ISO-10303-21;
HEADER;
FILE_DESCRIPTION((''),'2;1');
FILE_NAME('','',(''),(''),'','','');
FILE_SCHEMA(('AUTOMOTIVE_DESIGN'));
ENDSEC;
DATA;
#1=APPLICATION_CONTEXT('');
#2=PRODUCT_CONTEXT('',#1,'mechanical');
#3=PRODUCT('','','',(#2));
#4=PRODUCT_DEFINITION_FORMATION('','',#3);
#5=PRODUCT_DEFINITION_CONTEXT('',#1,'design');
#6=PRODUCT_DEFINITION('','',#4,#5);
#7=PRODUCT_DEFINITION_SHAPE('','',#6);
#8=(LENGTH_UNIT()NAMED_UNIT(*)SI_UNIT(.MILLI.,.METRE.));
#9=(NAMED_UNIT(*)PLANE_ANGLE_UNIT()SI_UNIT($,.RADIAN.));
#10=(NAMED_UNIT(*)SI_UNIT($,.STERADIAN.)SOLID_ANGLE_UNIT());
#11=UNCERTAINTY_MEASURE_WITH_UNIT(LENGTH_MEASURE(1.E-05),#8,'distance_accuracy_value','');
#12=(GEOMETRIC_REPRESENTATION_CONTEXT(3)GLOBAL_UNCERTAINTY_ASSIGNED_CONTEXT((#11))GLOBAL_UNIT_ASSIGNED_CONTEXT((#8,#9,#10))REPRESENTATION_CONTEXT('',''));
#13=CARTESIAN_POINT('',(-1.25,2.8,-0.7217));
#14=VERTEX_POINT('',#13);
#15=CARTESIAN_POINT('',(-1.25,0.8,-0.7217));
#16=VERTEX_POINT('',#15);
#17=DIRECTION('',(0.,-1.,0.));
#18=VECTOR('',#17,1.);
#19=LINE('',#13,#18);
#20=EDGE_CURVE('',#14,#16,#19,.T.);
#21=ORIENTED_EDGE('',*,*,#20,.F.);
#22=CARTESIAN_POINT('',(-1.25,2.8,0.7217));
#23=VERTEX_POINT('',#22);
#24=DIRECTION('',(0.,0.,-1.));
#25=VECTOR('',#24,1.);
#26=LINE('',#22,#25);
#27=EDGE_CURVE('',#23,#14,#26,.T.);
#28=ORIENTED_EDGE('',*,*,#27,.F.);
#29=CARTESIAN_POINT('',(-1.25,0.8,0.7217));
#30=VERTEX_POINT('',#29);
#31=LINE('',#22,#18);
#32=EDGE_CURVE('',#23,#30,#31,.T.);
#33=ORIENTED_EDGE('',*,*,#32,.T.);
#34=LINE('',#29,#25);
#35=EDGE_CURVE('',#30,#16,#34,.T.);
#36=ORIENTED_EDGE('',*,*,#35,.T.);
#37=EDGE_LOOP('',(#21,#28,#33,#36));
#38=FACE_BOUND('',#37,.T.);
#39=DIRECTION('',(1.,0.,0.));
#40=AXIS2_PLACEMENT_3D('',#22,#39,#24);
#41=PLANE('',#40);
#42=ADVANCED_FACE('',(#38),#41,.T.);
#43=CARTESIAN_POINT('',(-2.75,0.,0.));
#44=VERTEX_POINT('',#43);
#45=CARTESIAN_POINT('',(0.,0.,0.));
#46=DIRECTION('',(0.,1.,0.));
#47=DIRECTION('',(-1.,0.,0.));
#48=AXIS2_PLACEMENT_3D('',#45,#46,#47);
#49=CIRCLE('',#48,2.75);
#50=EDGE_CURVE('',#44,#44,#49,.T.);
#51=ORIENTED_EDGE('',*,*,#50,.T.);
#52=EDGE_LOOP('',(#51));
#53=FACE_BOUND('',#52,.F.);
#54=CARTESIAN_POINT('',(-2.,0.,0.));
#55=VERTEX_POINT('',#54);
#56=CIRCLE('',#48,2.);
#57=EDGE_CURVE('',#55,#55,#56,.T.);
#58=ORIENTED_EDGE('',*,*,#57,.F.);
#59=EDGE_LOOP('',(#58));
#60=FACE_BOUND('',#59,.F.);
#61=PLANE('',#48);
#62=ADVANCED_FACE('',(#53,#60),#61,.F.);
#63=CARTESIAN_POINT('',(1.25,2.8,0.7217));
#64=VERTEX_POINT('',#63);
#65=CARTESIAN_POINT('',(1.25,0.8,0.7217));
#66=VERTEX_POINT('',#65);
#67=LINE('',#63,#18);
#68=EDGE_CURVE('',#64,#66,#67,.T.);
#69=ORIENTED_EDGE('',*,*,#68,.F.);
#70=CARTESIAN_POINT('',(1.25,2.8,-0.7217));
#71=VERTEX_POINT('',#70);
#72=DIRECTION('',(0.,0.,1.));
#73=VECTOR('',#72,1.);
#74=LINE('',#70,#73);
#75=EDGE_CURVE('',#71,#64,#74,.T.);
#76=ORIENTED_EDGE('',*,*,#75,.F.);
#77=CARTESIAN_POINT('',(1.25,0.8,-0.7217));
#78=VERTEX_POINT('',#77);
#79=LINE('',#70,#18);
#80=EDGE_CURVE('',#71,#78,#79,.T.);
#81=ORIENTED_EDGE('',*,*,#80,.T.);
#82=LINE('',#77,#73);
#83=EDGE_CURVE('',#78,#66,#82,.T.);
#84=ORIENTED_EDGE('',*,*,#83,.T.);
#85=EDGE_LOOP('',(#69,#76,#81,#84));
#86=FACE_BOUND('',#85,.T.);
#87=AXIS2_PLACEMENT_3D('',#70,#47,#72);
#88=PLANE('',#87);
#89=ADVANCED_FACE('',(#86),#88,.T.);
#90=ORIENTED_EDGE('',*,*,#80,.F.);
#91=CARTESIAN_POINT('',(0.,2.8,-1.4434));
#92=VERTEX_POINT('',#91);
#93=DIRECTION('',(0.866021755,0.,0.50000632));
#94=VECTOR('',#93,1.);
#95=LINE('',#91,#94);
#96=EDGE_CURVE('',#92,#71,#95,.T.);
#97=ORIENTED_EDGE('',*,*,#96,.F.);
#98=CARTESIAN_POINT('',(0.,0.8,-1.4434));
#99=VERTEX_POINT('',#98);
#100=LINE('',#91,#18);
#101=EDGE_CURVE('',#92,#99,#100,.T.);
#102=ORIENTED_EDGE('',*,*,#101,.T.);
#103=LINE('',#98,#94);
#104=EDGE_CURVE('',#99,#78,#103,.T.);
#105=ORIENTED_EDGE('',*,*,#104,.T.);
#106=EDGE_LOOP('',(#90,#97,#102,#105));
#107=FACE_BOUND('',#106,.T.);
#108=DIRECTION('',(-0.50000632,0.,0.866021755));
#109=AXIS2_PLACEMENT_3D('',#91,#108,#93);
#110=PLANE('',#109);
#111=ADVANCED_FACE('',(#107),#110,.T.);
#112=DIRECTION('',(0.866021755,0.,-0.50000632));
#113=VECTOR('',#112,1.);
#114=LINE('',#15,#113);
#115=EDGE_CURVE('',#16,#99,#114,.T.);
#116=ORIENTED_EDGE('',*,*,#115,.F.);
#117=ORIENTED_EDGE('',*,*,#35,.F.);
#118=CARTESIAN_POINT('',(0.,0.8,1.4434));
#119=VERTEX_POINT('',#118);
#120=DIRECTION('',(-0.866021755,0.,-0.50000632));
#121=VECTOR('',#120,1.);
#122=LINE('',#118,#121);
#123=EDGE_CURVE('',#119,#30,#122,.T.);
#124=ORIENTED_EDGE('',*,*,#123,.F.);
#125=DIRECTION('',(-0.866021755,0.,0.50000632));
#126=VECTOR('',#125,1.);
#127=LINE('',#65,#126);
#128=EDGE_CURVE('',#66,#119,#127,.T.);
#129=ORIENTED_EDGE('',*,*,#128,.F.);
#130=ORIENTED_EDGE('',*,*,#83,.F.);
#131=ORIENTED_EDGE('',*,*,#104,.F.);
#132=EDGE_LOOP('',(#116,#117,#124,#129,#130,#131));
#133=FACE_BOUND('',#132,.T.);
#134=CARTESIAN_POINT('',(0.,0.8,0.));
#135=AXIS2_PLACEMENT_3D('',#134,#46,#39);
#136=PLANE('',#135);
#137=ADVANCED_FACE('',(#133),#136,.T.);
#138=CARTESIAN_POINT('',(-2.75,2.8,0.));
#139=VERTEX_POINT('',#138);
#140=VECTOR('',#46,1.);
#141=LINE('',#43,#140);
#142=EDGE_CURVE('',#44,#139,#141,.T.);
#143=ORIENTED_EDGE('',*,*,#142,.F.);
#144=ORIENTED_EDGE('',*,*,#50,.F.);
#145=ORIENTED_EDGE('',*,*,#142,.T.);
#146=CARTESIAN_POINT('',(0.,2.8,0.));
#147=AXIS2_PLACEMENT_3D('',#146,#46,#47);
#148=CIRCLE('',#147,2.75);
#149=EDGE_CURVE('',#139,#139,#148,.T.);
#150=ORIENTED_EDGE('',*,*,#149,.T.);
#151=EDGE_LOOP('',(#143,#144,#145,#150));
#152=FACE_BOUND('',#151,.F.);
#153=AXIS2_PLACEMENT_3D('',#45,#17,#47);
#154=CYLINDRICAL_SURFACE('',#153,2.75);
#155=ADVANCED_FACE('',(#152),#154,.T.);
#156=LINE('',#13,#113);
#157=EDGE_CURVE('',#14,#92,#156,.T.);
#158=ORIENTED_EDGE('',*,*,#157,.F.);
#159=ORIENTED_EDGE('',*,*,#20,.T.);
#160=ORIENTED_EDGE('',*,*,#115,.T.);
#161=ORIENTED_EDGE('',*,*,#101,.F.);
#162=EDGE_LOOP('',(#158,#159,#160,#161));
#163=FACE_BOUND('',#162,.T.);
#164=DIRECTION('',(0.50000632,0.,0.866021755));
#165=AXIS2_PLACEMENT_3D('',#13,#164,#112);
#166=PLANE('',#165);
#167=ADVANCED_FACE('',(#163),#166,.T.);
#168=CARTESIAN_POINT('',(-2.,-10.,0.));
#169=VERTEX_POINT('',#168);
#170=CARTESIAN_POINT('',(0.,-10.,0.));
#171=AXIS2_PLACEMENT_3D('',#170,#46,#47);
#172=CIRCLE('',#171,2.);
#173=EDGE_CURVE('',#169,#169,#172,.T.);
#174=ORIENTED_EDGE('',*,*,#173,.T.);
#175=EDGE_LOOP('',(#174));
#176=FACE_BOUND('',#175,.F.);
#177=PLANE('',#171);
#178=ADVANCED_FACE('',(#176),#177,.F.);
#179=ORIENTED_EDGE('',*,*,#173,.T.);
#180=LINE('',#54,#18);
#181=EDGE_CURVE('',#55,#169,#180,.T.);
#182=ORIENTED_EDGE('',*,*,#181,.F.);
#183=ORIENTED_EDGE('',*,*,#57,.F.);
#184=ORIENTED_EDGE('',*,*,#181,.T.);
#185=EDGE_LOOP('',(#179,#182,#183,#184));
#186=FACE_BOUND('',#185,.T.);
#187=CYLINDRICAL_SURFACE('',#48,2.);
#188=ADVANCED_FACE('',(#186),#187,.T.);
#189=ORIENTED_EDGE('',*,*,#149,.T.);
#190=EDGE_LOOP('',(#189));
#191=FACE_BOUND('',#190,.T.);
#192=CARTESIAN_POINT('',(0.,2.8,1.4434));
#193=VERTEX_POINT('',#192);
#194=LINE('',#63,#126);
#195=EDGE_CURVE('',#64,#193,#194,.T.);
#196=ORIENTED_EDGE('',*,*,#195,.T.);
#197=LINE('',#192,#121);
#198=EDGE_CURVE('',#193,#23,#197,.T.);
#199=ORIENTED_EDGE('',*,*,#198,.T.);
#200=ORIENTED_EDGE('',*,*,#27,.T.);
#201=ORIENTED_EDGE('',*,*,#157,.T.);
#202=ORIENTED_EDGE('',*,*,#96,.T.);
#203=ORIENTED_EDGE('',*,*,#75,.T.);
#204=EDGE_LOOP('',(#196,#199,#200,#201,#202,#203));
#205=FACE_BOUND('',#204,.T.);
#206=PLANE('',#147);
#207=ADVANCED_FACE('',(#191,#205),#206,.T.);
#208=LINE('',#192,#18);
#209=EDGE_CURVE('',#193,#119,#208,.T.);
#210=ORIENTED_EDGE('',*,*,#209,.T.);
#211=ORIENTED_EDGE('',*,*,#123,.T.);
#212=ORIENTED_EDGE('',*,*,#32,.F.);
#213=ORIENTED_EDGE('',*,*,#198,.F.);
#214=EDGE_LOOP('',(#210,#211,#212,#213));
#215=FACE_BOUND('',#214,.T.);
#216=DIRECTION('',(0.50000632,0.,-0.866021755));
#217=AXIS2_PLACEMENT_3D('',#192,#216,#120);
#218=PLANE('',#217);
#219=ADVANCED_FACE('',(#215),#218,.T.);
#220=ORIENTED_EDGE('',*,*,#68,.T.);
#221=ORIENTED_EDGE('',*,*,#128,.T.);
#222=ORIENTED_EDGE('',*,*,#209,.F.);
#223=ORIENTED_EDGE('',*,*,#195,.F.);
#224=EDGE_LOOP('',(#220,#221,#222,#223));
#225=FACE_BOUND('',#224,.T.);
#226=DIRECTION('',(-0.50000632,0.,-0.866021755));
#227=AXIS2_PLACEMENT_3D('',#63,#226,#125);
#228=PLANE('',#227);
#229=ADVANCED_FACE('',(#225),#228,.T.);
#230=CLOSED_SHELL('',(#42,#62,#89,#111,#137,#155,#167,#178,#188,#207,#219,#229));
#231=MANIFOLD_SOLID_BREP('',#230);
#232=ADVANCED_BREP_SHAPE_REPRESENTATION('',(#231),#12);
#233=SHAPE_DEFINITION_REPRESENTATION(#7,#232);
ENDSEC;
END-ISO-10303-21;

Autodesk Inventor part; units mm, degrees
ref_plane "YZ Plane" through (0, 0, 0) normal (1, 0, 0) x (0, 1, 0)
ref_plane "XZ Plane" through (0, 0, 0) normal (0, 1, 0) x (-1, 0, 0)
ref_plane "XY Plane" through (0, 0, 0) normal (0, 0, 1) x (1, 0, 0)
sketch "Sketch1" plane through (0, 0, 0) normal (0, 1, 0) x (-1, 0, 0)
  circle A0 centre (0, 0) radius 2.75
  circle A1 centre (0, 0) radius 2
  dimension "d0" = 5.5
  dimension "d1" = 4
extrude "Extrusion1" add sketch "Sketch1" against normal blind 10 contours A1
extrude "Extrusion2" add sketch "Sketch1" along normal blind 2.8 contours A0 | A1
sketch "Sketch2" plane through (0, 2.8, 0) normal (0, 1, 0) x (1, 0, 0)
  circle A0 centre (0, 0) radius 2 projected
  line L0 (-1.25, -0.7217) -> (-1.25, 0.7217)
  line L1 (-1.25, 0.7217) -> (0, 1.4434)
  line L2 (0, 1.4434) -> (1.25, 0.7217)
  line L3 (1.25, 0.7217) -> (1.25, -0.7217)
  line L4 (1.25, -0.7217) -> (0, -1.4434)
  line L5 (0, -1.4434) -> (-1.25, -0.7217)
  dimension "d6" = 2.5
extrude "Extrusion3" cut sketch "Sketch2" against normal blind 2 contours L0 L1 L2 L3 L4 L5
equation "\"d0\" = D_"
equation "\"d1\" = M_"
equation "\"d2\" = L_"
equation "\"d4\" = K_"
equation "\"d6\" = S_"
equation "\"d7\" = t_"
equation "\"K_\" = 2.8"
equation "\"D_\" = 5.5"
equation "\"S_\" = 2.5"
equation "\"t_\" = 2"
equation "\"M_\" = 4"
equation "\"L_\" = 10"
properties part number "M4 x 10" material "Stainless Steel"
